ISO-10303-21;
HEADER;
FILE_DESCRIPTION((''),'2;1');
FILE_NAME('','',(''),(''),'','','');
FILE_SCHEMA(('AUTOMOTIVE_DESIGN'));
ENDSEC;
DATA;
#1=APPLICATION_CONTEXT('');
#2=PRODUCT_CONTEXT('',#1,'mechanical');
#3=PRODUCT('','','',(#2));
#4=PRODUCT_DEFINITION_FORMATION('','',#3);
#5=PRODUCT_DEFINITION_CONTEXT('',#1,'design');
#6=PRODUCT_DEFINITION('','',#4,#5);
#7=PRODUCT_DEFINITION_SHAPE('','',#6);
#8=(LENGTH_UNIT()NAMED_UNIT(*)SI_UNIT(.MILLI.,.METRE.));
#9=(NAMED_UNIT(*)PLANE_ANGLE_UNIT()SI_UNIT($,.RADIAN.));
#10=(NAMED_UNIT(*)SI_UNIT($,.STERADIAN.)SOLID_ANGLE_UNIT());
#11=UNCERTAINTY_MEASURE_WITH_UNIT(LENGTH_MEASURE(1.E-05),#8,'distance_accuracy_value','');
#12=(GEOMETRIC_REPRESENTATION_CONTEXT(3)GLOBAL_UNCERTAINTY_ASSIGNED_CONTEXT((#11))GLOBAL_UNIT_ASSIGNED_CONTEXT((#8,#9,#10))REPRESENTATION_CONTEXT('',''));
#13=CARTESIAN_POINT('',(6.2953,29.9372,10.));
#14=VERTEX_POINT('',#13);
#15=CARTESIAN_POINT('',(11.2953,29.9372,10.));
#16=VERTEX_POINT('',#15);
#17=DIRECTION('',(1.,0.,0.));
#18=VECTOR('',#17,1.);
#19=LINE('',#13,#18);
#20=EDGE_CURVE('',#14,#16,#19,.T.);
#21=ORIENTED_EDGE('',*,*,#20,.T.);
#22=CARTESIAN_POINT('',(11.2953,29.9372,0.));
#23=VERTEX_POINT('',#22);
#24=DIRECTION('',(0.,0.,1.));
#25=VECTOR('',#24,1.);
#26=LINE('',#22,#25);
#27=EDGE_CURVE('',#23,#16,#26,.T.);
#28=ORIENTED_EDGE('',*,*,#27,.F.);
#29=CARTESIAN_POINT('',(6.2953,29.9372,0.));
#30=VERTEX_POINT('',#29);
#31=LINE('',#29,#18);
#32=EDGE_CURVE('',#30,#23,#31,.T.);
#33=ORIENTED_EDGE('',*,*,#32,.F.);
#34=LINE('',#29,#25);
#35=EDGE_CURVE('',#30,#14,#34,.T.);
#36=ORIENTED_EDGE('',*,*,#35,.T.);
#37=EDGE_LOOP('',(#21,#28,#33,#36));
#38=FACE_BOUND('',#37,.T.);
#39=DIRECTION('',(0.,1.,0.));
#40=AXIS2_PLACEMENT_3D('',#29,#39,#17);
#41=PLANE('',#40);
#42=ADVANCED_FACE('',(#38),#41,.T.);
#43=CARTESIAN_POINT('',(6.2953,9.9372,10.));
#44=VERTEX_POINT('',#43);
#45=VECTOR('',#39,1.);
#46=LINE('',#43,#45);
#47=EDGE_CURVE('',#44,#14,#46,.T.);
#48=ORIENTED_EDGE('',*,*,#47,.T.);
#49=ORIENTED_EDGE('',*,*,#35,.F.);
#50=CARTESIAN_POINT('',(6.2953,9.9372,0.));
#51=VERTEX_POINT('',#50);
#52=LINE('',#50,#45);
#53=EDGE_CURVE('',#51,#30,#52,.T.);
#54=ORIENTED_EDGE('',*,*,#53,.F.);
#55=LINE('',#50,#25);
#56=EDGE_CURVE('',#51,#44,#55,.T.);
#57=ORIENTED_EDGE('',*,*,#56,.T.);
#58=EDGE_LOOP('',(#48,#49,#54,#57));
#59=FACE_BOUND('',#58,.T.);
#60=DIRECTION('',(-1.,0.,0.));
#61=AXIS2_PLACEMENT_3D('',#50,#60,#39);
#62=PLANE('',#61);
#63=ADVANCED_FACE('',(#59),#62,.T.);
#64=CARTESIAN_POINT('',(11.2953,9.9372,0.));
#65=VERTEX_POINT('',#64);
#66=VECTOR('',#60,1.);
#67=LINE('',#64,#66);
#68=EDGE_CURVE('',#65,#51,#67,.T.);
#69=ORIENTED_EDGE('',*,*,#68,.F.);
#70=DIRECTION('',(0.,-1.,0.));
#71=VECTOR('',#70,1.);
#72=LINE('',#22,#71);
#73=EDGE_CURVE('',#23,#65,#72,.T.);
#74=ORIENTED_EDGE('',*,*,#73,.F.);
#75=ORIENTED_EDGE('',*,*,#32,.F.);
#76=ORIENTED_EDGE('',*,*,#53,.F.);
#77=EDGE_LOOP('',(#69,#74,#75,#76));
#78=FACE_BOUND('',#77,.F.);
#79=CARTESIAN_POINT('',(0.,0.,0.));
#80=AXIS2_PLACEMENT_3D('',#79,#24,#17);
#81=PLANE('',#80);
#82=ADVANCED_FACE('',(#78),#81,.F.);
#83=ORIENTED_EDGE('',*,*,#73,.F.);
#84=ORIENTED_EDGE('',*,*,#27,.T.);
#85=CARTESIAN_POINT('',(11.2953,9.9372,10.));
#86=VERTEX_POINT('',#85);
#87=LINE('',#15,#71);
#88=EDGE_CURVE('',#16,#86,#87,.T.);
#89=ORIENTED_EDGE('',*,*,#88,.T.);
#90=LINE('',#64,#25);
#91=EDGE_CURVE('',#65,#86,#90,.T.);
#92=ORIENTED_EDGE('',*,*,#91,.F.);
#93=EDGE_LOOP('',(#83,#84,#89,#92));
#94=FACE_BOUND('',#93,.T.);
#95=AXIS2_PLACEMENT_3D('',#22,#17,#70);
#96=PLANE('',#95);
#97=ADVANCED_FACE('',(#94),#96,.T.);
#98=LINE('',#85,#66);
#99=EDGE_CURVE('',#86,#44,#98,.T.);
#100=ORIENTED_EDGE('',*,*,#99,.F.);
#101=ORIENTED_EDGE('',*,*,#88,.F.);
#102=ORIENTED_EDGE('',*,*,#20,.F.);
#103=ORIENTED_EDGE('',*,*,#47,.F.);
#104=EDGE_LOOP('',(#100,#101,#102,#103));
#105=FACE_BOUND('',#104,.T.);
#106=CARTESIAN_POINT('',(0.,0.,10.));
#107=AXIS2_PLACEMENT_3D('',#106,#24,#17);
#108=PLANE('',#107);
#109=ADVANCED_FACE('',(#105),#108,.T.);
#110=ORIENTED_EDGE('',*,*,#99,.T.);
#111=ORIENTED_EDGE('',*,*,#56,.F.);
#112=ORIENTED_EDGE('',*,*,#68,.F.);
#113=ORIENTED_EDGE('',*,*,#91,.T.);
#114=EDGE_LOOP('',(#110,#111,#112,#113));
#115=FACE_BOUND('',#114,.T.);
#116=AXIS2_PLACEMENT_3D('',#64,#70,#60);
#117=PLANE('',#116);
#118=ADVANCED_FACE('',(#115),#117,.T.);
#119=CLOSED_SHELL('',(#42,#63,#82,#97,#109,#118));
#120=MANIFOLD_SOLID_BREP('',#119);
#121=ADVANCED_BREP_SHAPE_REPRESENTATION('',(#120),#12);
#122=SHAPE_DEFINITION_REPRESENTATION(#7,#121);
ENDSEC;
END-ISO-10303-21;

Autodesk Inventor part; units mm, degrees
ref_plane "YZ Plane" through (0, 0, 0) normal (1, 0, 0) x (0, 1, 0)
ref_plane "XZ Plane" through (0, 0, 0) normal (0, 1, 0) x (-1, 0, 0)
ref_plane "XY Plane" through (0, 0, 0) normal (0, 0, 1) x (1, 0, 0)
sketch "Sketch1" plane through (0, 0, 0) normal (0, 0, 1) x (1, 0, 0)
  line L0 (6.2953, 29.9372) -> (11.2953, 29.9372)
  line L1 (11.2953, 29.9372) -> (11.2953, 9.9372)
  line L2 (11.2953, 9.9372) -> (6.2953, 9.9372)
  line L3 (6.2953, 9.9372) -> (6.2953, 29.9372)
  point P0 (0, 0)
  dimension "d0" = 5
  dimension "d1" = 20
extrude "Extrusion1" add sketch "Sketch1" along normal blind 10
